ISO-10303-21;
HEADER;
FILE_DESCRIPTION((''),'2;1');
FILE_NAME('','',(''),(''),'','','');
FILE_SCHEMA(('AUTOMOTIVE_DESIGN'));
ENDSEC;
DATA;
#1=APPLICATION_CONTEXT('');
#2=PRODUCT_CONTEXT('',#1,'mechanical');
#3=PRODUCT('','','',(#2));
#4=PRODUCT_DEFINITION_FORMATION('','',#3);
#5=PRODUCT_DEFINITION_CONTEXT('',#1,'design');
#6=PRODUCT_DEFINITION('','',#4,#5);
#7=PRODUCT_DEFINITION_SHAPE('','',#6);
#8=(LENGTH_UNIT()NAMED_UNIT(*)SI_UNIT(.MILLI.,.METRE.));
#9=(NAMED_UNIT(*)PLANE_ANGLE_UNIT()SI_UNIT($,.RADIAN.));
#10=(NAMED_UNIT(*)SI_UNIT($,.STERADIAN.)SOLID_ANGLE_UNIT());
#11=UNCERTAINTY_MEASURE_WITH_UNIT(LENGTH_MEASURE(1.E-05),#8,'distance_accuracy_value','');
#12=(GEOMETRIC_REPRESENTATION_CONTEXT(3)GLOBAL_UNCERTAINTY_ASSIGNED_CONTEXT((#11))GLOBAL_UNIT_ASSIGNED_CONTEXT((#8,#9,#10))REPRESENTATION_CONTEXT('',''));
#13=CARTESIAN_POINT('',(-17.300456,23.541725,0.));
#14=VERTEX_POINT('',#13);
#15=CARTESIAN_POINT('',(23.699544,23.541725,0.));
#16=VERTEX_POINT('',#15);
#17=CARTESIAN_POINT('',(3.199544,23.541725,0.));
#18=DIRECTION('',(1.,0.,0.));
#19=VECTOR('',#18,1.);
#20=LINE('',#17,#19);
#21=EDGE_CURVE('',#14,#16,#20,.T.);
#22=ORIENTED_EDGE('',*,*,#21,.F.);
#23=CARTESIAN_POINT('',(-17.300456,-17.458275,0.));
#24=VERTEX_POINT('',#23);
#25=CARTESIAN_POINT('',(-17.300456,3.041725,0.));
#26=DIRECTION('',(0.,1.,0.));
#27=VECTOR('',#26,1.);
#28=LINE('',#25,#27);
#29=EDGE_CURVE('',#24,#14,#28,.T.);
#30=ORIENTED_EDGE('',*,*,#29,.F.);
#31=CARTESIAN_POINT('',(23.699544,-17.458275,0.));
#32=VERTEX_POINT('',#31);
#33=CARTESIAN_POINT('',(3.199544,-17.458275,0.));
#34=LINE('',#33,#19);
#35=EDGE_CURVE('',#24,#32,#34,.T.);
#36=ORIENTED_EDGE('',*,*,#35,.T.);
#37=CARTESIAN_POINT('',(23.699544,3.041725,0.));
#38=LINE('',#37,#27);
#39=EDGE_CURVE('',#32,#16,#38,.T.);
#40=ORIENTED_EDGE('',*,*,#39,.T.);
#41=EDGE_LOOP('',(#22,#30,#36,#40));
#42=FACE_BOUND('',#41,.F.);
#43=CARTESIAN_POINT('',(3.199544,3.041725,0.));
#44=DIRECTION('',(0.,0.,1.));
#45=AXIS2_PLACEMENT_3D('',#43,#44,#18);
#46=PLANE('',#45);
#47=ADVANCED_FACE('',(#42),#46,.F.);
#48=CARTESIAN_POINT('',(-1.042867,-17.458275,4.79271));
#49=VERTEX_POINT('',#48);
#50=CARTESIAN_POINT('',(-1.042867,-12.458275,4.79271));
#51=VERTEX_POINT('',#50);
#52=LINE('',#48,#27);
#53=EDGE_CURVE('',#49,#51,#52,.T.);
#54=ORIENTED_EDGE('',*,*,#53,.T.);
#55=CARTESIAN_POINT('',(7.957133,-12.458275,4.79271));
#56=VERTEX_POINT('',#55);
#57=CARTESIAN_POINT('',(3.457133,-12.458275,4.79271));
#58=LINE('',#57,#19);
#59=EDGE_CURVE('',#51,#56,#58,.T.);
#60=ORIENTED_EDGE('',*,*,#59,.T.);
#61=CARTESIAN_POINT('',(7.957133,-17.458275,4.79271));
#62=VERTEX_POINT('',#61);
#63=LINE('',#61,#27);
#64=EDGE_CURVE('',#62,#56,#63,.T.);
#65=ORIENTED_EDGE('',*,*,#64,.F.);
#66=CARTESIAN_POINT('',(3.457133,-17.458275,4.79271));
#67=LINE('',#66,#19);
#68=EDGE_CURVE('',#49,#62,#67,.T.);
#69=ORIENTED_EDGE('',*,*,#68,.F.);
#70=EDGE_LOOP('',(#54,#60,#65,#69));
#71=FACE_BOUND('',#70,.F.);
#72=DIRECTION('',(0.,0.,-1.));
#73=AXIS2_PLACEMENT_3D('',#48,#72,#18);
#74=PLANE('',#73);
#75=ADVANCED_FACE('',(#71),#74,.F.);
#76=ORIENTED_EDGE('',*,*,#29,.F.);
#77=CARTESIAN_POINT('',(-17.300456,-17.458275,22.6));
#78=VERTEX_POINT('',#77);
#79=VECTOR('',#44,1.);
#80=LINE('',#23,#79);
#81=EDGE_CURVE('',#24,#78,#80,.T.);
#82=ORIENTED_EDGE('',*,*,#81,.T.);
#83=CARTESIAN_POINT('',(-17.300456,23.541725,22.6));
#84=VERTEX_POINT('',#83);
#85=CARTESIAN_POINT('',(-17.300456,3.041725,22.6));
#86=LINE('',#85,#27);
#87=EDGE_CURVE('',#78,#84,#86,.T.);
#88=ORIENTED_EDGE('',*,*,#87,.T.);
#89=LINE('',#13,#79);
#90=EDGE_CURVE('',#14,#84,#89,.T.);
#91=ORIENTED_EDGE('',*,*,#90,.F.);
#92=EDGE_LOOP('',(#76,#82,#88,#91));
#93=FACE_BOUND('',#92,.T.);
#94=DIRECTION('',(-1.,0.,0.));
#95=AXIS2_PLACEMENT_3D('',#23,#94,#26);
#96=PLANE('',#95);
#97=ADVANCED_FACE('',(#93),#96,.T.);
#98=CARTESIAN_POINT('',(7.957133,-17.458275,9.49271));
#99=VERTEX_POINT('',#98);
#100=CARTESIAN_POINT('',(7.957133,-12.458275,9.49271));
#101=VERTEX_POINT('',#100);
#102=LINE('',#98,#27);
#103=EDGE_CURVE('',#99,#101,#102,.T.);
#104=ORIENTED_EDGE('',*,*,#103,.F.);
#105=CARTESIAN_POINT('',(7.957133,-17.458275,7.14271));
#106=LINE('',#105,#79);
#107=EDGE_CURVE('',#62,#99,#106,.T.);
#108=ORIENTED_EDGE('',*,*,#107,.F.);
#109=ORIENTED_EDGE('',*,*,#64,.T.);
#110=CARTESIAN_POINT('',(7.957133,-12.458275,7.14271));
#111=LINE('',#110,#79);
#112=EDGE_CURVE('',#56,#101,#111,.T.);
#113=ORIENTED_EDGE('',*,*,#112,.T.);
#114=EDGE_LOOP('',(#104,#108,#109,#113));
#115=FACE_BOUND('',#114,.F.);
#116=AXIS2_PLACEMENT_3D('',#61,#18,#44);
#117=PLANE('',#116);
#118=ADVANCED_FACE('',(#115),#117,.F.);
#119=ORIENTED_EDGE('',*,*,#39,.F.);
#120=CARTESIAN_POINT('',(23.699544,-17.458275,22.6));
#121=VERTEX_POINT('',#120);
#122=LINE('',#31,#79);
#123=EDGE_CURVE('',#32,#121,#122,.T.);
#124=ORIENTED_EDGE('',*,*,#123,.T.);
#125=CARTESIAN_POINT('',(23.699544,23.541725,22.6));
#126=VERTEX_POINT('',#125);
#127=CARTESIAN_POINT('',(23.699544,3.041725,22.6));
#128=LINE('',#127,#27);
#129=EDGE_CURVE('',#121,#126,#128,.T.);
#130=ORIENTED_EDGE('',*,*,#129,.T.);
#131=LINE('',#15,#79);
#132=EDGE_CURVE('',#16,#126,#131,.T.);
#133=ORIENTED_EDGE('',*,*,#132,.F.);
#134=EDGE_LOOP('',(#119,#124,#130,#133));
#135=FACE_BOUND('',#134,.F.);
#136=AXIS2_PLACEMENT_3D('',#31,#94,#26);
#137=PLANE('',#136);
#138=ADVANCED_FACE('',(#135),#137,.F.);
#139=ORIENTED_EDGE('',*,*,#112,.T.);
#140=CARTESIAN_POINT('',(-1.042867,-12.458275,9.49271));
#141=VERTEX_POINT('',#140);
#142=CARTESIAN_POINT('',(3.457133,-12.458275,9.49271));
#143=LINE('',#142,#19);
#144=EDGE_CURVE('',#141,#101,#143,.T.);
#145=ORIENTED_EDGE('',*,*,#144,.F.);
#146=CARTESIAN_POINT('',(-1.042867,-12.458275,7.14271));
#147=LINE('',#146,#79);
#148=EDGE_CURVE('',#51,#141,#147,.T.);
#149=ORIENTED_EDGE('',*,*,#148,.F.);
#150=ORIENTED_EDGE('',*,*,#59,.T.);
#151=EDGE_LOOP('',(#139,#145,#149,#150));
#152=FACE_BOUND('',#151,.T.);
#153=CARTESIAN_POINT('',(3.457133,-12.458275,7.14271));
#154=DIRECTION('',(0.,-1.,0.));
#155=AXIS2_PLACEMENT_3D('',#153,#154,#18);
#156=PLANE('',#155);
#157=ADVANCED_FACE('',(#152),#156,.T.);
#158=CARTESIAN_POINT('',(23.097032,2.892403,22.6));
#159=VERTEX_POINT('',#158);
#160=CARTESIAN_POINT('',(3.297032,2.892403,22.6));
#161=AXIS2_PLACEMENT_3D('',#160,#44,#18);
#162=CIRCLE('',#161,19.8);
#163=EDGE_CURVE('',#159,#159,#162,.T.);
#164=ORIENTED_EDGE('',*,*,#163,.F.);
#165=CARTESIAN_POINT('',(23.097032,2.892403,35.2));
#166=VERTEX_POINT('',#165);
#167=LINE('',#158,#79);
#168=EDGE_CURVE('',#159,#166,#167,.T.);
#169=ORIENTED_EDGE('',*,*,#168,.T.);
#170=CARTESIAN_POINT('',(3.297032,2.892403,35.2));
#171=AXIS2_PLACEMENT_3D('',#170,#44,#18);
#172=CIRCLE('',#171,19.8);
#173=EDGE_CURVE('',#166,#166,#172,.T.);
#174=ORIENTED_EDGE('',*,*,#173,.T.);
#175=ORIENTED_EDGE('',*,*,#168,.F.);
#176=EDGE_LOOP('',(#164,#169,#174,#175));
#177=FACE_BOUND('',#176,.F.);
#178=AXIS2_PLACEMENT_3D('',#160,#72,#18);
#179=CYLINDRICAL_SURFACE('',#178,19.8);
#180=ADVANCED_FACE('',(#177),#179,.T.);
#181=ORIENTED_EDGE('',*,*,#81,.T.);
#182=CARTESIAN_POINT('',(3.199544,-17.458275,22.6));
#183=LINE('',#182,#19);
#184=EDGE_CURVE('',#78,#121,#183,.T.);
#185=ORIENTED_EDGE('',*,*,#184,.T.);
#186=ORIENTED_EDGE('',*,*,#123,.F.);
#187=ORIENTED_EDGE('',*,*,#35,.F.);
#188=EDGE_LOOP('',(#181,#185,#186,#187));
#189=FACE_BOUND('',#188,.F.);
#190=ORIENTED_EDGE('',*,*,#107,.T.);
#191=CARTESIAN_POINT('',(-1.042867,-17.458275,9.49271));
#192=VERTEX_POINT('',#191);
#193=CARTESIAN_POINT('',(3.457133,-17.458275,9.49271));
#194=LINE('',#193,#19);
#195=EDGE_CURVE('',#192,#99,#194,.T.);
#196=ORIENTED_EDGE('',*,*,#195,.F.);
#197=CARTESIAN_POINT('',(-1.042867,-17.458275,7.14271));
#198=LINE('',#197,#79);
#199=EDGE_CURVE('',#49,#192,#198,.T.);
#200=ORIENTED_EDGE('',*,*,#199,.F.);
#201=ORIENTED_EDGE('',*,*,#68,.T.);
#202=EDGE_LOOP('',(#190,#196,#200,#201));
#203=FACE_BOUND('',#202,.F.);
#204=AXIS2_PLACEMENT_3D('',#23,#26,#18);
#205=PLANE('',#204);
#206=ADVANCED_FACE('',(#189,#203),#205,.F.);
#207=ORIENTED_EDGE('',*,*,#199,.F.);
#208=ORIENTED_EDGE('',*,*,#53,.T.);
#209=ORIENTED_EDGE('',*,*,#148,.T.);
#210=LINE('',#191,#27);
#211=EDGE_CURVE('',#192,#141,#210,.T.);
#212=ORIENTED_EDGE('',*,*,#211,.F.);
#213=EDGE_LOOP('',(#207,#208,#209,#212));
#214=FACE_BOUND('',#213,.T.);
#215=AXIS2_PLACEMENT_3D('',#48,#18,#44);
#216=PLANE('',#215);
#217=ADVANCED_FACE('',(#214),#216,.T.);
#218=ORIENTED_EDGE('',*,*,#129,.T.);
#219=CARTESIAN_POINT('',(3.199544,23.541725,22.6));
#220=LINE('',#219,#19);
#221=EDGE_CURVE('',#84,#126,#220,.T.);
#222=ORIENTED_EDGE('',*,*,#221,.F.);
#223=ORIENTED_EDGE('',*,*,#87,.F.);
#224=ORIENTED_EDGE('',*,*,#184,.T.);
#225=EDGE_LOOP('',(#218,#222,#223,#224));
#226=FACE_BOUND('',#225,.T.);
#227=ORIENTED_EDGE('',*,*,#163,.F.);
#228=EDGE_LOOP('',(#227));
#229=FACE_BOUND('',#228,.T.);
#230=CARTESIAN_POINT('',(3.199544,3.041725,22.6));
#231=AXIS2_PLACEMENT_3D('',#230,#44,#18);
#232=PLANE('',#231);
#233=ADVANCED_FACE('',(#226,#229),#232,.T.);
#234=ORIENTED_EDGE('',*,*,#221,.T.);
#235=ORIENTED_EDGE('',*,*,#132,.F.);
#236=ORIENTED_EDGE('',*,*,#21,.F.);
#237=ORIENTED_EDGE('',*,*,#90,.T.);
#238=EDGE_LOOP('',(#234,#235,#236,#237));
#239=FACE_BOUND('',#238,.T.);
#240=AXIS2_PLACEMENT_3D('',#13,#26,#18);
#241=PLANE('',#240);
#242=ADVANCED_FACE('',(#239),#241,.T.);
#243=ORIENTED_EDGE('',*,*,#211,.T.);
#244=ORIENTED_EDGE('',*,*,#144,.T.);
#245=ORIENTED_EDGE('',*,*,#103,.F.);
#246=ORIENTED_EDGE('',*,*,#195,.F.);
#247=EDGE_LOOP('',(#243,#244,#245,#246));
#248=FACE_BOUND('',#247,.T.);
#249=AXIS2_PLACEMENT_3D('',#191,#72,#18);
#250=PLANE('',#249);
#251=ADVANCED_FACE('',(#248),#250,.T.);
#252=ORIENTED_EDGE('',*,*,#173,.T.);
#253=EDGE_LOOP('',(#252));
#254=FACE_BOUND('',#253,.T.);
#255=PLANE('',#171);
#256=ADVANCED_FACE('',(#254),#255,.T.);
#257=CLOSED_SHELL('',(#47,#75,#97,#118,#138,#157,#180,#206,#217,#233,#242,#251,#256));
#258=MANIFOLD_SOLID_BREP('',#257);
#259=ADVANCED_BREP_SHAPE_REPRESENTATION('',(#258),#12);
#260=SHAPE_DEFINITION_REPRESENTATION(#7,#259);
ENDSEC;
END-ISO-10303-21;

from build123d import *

# Parameters (mm, degrees)
SKETCH_W     = 41
SKETCH_H     = 41
PAD_DEPTH    = 22.6
SKETCH001_R  = 19.8
PAD001_DEPTH = 12.6
SKETCH002_W  = 9
SKETCH002_H  = 4.7
POCKET_DEPTH = 5


with BuildPart() as part:
    # Sketch → Pad (new body)
    with BuildSketch(Plane.XY):
        with Locations((3.199544, 3.041725)):
            Rectangle(SKETCH_W, SKETCH_H)
    extrude(amount=PAD_DEPTH)

    # Sketch001 (on Face6 of Pad) → Pad001 (join)
    with BuildSketch(Plane.XY.offset(22.6)):
        with Locations((3.297032, 2.892403)):
            Circle(SKETCH001_R)
    extrude(amount=PAD001_DEPTH)

    # Sketch002 (on Face3 of Pad001) → Pocket (cut)
    with BuildSketch(Plane.XZ.offset(17.458275)):
        with Locations((3.457133, 7.14271)):
            Rectangle(SKETCH002_W, SKETCH002_H)
    extrude(amount=-POCKET_DEPTH, mode=Mode.SUBTRACT)


solid = part.part
